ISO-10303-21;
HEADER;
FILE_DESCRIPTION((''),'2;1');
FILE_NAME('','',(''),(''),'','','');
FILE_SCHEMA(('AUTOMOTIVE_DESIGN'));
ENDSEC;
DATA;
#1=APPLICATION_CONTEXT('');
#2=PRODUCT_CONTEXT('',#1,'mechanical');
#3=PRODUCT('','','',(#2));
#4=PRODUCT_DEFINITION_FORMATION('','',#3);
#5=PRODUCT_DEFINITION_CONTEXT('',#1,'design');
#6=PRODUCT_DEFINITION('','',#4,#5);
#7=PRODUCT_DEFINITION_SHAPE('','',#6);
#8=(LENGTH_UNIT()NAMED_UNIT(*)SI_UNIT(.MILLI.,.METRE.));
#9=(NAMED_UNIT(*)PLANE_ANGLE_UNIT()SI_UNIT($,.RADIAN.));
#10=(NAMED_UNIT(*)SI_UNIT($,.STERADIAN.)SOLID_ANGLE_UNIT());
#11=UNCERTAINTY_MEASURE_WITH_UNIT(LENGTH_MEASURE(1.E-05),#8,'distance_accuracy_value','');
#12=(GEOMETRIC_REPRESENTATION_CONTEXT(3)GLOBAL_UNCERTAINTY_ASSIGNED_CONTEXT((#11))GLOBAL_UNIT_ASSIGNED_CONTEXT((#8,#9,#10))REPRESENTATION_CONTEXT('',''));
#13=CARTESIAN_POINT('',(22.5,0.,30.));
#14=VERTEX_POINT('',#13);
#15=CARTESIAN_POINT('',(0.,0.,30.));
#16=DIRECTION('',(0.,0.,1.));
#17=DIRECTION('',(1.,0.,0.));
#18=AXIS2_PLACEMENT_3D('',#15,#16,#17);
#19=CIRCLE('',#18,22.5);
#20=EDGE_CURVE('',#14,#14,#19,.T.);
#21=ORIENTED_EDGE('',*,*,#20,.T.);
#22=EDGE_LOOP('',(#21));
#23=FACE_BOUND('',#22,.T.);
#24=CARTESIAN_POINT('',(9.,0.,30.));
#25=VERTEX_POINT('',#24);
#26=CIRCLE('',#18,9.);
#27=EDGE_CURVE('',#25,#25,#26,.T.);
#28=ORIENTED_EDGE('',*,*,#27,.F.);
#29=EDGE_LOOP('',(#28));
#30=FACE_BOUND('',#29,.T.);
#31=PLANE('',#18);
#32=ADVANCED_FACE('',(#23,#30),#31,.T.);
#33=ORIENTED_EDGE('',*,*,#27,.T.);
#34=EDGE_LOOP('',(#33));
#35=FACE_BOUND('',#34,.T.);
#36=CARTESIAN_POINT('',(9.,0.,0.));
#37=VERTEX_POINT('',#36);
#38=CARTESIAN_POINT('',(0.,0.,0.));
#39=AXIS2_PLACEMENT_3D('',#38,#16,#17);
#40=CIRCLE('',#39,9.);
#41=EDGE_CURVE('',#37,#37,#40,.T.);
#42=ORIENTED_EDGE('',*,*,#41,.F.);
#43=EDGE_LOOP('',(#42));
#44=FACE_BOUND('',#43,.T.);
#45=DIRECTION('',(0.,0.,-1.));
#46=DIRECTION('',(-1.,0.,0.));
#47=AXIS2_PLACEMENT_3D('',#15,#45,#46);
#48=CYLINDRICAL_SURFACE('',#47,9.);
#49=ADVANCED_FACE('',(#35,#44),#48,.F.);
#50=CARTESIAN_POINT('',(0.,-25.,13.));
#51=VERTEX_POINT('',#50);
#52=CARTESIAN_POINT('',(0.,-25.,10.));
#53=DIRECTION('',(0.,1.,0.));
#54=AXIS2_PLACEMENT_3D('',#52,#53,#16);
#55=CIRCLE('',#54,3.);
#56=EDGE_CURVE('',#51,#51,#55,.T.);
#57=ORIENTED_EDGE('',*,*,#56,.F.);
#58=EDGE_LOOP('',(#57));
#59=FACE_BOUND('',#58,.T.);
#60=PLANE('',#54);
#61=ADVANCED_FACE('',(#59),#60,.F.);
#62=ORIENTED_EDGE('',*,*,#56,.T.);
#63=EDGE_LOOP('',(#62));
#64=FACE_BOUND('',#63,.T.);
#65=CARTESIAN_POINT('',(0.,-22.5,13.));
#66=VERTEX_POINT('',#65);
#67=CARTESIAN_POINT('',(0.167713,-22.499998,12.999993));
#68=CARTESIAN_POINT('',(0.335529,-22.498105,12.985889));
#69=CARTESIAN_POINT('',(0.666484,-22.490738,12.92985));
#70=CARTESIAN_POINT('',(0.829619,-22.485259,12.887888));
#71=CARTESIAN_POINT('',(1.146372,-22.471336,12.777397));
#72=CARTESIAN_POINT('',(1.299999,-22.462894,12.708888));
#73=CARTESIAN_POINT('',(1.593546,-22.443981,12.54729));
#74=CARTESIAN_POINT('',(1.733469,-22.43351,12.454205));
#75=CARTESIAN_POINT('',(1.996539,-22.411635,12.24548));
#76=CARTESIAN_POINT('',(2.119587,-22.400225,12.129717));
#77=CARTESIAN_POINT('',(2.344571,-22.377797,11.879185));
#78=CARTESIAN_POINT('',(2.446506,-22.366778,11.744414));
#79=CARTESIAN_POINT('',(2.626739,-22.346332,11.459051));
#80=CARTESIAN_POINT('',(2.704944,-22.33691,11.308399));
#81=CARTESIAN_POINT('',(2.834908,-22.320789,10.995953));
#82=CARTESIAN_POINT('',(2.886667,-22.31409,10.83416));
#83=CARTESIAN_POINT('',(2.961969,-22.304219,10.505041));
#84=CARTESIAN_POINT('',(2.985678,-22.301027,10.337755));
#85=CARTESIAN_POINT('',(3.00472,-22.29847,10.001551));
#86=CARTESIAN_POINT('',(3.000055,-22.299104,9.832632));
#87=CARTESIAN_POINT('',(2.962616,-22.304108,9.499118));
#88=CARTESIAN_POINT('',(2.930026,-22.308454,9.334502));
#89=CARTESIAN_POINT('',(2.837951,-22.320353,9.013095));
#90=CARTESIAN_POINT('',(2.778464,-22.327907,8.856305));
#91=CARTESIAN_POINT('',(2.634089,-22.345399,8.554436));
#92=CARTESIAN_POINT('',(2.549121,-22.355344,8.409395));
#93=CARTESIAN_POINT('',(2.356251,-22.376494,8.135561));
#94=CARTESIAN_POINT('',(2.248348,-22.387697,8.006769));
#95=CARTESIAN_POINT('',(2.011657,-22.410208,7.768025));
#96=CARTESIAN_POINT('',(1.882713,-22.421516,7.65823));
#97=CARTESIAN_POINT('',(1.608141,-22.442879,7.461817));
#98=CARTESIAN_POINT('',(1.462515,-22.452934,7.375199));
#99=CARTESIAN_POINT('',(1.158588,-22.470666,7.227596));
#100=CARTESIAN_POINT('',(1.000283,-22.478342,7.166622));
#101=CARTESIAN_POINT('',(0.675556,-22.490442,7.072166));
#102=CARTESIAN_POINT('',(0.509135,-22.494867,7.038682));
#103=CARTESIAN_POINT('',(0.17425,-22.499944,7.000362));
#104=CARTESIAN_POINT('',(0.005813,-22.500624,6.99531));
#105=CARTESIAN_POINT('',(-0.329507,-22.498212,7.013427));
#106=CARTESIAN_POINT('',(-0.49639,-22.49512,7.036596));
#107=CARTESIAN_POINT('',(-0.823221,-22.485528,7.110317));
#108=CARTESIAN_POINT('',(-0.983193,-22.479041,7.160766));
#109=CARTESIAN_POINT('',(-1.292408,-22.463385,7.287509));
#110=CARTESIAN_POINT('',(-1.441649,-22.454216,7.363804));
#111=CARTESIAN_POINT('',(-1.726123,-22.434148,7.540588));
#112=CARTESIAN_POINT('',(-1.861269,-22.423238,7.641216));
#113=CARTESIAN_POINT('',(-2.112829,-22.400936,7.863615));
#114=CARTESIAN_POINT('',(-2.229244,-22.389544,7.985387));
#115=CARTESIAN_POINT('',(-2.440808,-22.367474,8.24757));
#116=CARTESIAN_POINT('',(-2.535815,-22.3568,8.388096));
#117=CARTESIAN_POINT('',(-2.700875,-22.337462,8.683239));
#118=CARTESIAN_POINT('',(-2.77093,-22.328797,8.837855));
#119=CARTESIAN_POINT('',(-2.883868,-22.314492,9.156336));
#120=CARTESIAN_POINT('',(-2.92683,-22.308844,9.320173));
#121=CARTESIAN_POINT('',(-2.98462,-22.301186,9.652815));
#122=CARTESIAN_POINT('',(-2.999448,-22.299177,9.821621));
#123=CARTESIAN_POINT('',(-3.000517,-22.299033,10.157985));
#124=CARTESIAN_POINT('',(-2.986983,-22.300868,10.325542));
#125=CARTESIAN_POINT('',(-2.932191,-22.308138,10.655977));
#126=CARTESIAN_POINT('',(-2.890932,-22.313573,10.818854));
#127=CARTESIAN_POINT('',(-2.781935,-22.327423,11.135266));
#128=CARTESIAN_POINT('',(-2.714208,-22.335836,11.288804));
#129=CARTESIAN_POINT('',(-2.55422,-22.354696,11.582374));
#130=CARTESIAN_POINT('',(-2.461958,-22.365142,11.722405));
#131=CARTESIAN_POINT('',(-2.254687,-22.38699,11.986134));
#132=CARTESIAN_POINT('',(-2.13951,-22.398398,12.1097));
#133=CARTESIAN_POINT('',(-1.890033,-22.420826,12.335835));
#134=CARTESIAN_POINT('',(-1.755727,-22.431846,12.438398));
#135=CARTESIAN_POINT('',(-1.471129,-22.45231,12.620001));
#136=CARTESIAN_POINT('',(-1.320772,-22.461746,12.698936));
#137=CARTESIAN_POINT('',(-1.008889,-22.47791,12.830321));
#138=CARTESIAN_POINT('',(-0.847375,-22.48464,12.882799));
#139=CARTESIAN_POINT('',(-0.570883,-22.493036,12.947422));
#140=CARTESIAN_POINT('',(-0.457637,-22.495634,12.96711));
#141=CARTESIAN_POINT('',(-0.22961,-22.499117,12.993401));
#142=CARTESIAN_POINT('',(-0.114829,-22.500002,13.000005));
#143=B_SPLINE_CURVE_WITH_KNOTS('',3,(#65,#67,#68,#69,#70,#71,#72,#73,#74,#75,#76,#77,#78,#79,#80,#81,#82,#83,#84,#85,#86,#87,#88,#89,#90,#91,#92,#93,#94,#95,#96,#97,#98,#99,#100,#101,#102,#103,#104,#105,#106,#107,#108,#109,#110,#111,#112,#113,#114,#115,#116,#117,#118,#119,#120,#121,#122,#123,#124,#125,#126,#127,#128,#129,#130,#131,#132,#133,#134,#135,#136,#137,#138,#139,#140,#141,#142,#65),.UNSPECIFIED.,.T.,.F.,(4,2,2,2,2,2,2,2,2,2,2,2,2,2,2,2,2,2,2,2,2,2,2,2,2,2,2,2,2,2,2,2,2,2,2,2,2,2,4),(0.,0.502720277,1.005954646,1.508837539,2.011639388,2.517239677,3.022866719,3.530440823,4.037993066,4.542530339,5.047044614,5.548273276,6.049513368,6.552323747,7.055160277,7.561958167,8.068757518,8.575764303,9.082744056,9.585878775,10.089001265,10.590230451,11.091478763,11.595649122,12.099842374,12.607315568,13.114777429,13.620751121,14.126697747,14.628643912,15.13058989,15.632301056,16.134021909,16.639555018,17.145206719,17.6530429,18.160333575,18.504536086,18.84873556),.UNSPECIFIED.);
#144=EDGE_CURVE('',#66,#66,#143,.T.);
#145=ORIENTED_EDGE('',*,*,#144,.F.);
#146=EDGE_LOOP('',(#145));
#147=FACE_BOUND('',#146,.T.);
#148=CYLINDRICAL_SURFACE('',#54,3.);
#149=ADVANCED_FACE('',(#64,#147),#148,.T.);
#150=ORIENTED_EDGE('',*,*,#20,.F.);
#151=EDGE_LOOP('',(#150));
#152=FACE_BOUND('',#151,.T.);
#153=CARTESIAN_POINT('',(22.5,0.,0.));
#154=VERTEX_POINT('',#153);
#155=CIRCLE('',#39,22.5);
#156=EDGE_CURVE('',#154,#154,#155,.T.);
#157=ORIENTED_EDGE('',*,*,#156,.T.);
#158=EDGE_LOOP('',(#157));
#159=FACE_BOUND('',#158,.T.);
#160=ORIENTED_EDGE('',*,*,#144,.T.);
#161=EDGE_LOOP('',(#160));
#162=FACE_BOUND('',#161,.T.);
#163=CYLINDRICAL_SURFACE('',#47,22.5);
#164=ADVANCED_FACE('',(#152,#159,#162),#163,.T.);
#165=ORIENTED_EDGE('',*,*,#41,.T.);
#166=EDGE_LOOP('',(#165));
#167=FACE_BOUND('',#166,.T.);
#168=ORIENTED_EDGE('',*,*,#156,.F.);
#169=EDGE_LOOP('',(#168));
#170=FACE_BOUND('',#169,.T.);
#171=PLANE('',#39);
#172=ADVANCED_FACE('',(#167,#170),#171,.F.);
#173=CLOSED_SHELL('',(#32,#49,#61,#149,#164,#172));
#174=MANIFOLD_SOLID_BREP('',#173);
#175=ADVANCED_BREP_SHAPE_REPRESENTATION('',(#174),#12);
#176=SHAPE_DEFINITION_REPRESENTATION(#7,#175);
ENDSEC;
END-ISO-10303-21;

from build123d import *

# Parameters (mm, degrees)
SCHIZZO1_R                   = 22.5
SCHIZZO1_R_2                 = 9
ESTRUSIONE_ESTRUSIONE1_DEPTH = 30
SCHIZZO3_R                   = 3
ESTRUSIONE_ESTRUSIONE2_DEPTH = 25
SCHIZZO4_R                   = 9
TAGLIO_ESTRUSIONE1_DEPTH     = 40


with BuildPart() as part:
    # Schizzo1 → Estrusione-Estrusione1 (new body)
    with BuildSketch(Plane.XY):
        Circle(SCHIZZO1_R)
        Circle(SCHIZZO1_R_2, mode=Mode.SUBTRACT)
    extrude(amount=ESTRUSIONE_ESTRUSIONE1_DEPTH)

    # Schizzo3 → Estrusione-Estrusione2 (add)
    with BuildSketch(Plane(origin=(0, 0, 0), x_dir=(1, 0, 0), z_dir=(0, 1, 0))):
        with Locations((0, -10)):
            Circle(SCHIZZO3_R)
    extrude(amount=-ESTRUSIONE_ESTRUSIONE2_DEPTH)

    # Schizzo4 → Taglio-Estrusione1 (cut)
    with BuildSketch(Plane.XY.offset(30)):
        Circle(SCHIZZO4_R)
    extrude(amount=-TAGLIO_ESTRUSIONE1_DEPTH, mode=Mode.SUBTRACT)


solid = part.part
